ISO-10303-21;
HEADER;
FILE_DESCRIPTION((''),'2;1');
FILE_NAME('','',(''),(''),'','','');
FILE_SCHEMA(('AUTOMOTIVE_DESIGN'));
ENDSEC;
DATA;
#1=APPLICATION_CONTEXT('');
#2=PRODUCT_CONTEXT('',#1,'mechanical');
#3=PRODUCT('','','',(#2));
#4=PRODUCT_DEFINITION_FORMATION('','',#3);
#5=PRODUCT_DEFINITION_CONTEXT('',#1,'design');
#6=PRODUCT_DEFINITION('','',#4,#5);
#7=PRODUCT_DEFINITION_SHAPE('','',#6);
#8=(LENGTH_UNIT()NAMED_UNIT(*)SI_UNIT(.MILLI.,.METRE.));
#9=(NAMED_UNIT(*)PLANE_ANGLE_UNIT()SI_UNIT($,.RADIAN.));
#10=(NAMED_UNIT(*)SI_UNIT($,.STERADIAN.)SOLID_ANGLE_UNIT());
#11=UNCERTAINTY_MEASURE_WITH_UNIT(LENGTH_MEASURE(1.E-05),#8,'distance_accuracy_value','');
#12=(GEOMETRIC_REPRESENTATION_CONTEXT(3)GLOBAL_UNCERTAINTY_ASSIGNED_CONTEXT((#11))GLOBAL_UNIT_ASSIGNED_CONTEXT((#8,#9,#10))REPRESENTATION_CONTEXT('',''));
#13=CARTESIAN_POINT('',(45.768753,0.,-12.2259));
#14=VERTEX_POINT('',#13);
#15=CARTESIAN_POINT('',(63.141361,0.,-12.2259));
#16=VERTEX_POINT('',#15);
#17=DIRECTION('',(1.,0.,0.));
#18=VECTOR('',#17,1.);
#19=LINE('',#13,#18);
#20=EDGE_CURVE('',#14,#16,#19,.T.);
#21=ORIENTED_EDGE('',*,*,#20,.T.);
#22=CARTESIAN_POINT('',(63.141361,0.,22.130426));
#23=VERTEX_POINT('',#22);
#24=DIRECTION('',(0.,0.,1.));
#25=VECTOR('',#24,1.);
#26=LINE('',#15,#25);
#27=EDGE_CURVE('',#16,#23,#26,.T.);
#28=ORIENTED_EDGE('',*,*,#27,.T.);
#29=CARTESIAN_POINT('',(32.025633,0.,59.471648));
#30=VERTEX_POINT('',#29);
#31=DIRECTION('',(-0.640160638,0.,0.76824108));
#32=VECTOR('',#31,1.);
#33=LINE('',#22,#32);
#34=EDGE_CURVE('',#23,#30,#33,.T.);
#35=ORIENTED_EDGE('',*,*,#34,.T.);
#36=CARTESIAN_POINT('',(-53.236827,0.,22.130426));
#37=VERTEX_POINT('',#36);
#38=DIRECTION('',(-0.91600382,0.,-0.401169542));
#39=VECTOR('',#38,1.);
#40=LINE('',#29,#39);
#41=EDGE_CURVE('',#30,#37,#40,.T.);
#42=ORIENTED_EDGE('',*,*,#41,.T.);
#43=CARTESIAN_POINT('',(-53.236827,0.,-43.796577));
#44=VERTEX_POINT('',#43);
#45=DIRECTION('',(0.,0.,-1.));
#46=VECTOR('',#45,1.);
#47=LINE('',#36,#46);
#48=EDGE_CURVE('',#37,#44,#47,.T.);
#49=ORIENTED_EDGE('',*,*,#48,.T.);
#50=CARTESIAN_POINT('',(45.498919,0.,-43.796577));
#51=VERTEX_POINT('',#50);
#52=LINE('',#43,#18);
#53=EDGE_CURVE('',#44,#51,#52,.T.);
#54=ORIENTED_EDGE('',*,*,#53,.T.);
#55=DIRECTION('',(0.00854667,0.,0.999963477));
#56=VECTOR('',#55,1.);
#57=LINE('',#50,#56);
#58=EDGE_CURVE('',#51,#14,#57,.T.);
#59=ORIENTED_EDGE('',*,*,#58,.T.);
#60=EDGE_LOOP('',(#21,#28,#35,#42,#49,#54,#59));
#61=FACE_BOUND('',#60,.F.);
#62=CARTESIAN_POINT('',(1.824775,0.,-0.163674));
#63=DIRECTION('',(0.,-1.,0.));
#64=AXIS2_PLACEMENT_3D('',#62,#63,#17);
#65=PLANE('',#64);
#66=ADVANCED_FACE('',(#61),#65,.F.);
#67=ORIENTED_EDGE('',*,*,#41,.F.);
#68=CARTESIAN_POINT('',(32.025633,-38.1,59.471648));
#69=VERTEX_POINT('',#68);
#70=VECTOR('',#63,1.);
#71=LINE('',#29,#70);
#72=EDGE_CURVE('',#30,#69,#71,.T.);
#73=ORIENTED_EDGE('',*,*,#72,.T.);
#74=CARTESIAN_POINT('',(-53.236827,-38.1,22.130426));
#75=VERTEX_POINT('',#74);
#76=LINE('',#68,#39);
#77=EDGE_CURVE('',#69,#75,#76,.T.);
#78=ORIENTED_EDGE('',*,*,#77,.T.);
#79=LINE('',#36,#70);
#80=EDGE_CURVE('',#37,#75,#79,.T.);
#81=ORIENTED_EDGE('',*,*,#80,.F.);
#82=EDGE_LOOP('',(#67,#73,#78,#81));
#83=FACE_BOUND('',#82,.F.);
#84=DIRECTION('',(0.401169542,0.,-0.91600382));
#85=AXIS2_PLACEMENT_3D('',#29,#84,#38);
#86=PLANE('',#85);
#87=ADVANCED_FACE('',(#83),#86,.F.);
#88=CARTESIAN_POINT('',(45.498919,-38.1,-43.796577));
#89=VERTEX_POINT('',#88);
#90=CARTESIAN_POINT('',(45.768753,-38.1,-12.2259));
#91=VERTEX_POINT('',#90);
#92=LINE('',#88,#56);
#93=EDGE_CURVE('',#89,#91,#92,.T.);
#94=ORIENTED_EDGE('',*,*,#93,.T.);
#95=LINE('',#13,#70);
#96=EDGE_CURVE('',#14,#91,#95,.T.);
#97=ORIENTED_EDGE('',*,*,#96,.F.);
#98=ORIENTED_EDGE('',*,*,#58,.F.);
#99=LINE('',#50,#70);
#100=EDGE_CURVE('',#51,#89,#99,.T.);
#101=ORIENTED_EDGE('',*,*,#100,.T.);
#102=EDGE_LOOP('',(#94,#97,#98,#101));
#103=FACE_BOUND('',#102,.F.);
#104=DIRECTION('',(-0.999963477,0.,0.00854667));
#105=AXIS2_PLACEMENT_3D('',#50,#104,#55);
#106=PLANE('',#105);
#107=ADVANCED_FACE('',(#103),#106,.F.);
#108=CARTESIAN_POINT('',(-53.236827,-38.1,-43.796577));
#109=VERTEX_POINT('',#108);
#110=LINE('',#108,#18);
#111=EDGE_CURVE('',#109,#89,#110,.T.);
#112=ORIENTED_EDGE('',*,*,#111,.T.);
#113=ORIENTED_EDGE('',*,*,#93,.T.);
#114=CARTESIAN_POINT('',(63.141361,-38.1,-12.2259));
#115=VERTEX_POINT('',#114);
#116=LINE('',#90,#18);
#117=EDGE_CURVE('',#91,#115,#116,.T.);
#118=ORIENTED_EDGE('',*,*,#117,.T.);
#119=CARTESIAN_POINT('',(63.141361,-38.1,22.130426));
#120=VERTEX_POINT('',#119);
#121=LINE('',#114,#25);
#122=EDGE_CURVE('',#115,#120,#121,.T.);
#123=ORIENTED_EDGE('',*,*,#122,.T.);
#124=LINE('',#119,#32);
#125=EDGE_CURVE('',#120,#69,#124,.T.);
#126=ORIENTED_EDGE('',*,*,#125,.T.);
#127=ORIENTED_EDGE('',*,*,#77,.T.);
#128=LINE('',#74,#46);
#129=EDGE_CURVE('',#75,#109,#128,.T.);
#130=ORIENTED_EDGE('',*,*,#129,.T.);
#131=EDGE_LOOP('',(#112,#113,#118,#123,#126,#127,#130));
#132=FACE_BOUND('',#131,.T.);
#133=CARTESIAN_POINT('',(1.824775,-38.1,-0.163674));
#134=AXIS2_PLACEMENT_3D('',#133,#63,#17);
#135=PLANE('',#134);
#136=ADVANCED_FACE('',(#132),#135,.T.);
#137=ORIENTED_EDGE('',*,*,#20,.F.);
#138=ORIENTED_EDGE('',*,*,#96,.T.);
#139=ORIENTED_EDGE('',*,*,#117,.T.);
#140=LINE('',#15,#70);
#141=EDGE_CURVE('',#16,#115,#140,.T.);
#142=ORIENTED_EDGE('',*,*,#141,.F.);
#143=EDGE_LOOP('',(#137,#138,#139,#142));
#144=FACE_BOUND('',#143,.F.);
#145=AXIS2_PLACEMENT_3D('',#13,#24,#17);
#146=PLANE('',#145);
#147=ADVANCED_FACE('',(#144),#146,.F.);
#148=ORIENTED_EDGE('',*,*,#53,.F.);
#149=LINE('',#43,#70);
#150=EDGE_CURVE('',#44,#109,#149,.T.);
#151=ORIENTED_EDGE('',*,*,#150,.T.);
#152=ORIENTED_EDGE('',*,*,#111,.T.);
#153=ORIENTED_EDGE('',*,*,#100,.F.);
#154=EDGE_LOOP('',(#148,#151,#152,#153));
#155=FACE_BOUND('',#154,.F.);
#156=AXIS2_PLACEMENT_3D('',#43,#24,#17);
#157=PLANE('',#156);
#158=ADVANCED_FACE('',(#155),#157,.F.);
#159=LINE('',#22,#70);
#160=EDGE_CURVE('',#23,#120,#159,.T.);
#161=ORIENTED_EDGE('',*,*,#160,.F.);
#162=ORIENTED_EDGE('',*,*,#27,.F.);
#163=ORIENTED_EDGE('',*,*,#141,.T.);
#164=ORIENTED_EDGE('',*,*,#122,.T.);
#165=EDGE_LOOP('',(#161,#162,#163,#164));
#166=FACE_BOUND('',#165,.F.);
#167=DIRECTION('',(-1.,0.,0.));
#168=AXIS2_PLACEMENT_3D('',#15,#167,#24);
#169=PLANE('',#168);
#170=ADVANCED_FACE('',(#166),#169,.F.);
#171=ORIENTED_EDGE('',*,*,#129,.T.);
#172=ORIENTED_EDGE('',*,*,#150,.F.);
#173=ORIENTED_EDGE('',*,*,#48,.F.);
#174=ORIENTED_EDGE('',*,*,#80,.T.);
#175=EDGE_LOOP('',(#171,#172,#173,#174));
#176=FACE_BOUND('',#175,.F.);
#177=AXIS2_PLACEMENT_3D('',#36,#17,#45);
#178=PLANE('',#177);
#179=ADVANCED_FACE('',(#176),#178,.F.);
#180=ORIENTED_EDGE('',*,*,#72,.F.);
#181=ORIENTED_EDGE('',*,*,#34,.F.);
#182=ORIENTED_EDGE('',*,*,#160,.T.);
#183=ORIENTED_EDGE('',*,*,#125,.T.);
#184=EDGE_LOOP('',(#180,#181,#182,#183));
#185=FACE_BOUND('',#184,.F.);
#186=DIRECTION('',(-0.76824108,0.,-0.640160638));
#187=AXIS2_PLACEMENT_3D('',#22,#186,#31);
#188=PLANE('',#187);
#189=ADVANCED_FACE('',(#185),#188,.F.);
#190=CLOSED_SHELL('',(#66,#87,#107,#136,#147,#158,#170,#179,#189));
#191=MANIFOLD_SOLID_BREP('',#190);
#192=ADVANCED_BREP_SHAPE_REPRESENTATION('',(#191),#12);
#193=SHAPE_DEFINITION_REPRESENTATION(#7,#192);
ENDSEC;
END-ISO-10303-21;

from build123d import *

# Parameters (mm, degrees)
F1_DEPTH = 38.1


with BuildPart() as f1:
    # F0 (on Front) → F1 (new body)
    with BuildSketch(Plane.XZ):
        Polygon((-53.236827, 22.130426), (-53.236827, -43.796577), (45.498919, -43.796577), (45.768753, -12.2259), (45.808434, -7.583153), (61.284252, 7.273637), (15.475824, -7.583153), (15.475824, -29.249305), (-37.761007, -29.249305), (-37.761007, 22.130426), (63.141361, 22.130426), (32.025633, 59.471648), align=None)
        Polygon((45.808434, -7.583153), (45.768753, -12.2259), (63.141361, -12.2259), (63.141361, 22.130426), (-37.761007, 22.130426), (-37.761007, -29.249305), (15.475824, -29.249305), (15.475824, -7.583153), (61.284252, 7.273637), align=None)
    extrude(amount=F1_DEPTH)


solid = f1.part
